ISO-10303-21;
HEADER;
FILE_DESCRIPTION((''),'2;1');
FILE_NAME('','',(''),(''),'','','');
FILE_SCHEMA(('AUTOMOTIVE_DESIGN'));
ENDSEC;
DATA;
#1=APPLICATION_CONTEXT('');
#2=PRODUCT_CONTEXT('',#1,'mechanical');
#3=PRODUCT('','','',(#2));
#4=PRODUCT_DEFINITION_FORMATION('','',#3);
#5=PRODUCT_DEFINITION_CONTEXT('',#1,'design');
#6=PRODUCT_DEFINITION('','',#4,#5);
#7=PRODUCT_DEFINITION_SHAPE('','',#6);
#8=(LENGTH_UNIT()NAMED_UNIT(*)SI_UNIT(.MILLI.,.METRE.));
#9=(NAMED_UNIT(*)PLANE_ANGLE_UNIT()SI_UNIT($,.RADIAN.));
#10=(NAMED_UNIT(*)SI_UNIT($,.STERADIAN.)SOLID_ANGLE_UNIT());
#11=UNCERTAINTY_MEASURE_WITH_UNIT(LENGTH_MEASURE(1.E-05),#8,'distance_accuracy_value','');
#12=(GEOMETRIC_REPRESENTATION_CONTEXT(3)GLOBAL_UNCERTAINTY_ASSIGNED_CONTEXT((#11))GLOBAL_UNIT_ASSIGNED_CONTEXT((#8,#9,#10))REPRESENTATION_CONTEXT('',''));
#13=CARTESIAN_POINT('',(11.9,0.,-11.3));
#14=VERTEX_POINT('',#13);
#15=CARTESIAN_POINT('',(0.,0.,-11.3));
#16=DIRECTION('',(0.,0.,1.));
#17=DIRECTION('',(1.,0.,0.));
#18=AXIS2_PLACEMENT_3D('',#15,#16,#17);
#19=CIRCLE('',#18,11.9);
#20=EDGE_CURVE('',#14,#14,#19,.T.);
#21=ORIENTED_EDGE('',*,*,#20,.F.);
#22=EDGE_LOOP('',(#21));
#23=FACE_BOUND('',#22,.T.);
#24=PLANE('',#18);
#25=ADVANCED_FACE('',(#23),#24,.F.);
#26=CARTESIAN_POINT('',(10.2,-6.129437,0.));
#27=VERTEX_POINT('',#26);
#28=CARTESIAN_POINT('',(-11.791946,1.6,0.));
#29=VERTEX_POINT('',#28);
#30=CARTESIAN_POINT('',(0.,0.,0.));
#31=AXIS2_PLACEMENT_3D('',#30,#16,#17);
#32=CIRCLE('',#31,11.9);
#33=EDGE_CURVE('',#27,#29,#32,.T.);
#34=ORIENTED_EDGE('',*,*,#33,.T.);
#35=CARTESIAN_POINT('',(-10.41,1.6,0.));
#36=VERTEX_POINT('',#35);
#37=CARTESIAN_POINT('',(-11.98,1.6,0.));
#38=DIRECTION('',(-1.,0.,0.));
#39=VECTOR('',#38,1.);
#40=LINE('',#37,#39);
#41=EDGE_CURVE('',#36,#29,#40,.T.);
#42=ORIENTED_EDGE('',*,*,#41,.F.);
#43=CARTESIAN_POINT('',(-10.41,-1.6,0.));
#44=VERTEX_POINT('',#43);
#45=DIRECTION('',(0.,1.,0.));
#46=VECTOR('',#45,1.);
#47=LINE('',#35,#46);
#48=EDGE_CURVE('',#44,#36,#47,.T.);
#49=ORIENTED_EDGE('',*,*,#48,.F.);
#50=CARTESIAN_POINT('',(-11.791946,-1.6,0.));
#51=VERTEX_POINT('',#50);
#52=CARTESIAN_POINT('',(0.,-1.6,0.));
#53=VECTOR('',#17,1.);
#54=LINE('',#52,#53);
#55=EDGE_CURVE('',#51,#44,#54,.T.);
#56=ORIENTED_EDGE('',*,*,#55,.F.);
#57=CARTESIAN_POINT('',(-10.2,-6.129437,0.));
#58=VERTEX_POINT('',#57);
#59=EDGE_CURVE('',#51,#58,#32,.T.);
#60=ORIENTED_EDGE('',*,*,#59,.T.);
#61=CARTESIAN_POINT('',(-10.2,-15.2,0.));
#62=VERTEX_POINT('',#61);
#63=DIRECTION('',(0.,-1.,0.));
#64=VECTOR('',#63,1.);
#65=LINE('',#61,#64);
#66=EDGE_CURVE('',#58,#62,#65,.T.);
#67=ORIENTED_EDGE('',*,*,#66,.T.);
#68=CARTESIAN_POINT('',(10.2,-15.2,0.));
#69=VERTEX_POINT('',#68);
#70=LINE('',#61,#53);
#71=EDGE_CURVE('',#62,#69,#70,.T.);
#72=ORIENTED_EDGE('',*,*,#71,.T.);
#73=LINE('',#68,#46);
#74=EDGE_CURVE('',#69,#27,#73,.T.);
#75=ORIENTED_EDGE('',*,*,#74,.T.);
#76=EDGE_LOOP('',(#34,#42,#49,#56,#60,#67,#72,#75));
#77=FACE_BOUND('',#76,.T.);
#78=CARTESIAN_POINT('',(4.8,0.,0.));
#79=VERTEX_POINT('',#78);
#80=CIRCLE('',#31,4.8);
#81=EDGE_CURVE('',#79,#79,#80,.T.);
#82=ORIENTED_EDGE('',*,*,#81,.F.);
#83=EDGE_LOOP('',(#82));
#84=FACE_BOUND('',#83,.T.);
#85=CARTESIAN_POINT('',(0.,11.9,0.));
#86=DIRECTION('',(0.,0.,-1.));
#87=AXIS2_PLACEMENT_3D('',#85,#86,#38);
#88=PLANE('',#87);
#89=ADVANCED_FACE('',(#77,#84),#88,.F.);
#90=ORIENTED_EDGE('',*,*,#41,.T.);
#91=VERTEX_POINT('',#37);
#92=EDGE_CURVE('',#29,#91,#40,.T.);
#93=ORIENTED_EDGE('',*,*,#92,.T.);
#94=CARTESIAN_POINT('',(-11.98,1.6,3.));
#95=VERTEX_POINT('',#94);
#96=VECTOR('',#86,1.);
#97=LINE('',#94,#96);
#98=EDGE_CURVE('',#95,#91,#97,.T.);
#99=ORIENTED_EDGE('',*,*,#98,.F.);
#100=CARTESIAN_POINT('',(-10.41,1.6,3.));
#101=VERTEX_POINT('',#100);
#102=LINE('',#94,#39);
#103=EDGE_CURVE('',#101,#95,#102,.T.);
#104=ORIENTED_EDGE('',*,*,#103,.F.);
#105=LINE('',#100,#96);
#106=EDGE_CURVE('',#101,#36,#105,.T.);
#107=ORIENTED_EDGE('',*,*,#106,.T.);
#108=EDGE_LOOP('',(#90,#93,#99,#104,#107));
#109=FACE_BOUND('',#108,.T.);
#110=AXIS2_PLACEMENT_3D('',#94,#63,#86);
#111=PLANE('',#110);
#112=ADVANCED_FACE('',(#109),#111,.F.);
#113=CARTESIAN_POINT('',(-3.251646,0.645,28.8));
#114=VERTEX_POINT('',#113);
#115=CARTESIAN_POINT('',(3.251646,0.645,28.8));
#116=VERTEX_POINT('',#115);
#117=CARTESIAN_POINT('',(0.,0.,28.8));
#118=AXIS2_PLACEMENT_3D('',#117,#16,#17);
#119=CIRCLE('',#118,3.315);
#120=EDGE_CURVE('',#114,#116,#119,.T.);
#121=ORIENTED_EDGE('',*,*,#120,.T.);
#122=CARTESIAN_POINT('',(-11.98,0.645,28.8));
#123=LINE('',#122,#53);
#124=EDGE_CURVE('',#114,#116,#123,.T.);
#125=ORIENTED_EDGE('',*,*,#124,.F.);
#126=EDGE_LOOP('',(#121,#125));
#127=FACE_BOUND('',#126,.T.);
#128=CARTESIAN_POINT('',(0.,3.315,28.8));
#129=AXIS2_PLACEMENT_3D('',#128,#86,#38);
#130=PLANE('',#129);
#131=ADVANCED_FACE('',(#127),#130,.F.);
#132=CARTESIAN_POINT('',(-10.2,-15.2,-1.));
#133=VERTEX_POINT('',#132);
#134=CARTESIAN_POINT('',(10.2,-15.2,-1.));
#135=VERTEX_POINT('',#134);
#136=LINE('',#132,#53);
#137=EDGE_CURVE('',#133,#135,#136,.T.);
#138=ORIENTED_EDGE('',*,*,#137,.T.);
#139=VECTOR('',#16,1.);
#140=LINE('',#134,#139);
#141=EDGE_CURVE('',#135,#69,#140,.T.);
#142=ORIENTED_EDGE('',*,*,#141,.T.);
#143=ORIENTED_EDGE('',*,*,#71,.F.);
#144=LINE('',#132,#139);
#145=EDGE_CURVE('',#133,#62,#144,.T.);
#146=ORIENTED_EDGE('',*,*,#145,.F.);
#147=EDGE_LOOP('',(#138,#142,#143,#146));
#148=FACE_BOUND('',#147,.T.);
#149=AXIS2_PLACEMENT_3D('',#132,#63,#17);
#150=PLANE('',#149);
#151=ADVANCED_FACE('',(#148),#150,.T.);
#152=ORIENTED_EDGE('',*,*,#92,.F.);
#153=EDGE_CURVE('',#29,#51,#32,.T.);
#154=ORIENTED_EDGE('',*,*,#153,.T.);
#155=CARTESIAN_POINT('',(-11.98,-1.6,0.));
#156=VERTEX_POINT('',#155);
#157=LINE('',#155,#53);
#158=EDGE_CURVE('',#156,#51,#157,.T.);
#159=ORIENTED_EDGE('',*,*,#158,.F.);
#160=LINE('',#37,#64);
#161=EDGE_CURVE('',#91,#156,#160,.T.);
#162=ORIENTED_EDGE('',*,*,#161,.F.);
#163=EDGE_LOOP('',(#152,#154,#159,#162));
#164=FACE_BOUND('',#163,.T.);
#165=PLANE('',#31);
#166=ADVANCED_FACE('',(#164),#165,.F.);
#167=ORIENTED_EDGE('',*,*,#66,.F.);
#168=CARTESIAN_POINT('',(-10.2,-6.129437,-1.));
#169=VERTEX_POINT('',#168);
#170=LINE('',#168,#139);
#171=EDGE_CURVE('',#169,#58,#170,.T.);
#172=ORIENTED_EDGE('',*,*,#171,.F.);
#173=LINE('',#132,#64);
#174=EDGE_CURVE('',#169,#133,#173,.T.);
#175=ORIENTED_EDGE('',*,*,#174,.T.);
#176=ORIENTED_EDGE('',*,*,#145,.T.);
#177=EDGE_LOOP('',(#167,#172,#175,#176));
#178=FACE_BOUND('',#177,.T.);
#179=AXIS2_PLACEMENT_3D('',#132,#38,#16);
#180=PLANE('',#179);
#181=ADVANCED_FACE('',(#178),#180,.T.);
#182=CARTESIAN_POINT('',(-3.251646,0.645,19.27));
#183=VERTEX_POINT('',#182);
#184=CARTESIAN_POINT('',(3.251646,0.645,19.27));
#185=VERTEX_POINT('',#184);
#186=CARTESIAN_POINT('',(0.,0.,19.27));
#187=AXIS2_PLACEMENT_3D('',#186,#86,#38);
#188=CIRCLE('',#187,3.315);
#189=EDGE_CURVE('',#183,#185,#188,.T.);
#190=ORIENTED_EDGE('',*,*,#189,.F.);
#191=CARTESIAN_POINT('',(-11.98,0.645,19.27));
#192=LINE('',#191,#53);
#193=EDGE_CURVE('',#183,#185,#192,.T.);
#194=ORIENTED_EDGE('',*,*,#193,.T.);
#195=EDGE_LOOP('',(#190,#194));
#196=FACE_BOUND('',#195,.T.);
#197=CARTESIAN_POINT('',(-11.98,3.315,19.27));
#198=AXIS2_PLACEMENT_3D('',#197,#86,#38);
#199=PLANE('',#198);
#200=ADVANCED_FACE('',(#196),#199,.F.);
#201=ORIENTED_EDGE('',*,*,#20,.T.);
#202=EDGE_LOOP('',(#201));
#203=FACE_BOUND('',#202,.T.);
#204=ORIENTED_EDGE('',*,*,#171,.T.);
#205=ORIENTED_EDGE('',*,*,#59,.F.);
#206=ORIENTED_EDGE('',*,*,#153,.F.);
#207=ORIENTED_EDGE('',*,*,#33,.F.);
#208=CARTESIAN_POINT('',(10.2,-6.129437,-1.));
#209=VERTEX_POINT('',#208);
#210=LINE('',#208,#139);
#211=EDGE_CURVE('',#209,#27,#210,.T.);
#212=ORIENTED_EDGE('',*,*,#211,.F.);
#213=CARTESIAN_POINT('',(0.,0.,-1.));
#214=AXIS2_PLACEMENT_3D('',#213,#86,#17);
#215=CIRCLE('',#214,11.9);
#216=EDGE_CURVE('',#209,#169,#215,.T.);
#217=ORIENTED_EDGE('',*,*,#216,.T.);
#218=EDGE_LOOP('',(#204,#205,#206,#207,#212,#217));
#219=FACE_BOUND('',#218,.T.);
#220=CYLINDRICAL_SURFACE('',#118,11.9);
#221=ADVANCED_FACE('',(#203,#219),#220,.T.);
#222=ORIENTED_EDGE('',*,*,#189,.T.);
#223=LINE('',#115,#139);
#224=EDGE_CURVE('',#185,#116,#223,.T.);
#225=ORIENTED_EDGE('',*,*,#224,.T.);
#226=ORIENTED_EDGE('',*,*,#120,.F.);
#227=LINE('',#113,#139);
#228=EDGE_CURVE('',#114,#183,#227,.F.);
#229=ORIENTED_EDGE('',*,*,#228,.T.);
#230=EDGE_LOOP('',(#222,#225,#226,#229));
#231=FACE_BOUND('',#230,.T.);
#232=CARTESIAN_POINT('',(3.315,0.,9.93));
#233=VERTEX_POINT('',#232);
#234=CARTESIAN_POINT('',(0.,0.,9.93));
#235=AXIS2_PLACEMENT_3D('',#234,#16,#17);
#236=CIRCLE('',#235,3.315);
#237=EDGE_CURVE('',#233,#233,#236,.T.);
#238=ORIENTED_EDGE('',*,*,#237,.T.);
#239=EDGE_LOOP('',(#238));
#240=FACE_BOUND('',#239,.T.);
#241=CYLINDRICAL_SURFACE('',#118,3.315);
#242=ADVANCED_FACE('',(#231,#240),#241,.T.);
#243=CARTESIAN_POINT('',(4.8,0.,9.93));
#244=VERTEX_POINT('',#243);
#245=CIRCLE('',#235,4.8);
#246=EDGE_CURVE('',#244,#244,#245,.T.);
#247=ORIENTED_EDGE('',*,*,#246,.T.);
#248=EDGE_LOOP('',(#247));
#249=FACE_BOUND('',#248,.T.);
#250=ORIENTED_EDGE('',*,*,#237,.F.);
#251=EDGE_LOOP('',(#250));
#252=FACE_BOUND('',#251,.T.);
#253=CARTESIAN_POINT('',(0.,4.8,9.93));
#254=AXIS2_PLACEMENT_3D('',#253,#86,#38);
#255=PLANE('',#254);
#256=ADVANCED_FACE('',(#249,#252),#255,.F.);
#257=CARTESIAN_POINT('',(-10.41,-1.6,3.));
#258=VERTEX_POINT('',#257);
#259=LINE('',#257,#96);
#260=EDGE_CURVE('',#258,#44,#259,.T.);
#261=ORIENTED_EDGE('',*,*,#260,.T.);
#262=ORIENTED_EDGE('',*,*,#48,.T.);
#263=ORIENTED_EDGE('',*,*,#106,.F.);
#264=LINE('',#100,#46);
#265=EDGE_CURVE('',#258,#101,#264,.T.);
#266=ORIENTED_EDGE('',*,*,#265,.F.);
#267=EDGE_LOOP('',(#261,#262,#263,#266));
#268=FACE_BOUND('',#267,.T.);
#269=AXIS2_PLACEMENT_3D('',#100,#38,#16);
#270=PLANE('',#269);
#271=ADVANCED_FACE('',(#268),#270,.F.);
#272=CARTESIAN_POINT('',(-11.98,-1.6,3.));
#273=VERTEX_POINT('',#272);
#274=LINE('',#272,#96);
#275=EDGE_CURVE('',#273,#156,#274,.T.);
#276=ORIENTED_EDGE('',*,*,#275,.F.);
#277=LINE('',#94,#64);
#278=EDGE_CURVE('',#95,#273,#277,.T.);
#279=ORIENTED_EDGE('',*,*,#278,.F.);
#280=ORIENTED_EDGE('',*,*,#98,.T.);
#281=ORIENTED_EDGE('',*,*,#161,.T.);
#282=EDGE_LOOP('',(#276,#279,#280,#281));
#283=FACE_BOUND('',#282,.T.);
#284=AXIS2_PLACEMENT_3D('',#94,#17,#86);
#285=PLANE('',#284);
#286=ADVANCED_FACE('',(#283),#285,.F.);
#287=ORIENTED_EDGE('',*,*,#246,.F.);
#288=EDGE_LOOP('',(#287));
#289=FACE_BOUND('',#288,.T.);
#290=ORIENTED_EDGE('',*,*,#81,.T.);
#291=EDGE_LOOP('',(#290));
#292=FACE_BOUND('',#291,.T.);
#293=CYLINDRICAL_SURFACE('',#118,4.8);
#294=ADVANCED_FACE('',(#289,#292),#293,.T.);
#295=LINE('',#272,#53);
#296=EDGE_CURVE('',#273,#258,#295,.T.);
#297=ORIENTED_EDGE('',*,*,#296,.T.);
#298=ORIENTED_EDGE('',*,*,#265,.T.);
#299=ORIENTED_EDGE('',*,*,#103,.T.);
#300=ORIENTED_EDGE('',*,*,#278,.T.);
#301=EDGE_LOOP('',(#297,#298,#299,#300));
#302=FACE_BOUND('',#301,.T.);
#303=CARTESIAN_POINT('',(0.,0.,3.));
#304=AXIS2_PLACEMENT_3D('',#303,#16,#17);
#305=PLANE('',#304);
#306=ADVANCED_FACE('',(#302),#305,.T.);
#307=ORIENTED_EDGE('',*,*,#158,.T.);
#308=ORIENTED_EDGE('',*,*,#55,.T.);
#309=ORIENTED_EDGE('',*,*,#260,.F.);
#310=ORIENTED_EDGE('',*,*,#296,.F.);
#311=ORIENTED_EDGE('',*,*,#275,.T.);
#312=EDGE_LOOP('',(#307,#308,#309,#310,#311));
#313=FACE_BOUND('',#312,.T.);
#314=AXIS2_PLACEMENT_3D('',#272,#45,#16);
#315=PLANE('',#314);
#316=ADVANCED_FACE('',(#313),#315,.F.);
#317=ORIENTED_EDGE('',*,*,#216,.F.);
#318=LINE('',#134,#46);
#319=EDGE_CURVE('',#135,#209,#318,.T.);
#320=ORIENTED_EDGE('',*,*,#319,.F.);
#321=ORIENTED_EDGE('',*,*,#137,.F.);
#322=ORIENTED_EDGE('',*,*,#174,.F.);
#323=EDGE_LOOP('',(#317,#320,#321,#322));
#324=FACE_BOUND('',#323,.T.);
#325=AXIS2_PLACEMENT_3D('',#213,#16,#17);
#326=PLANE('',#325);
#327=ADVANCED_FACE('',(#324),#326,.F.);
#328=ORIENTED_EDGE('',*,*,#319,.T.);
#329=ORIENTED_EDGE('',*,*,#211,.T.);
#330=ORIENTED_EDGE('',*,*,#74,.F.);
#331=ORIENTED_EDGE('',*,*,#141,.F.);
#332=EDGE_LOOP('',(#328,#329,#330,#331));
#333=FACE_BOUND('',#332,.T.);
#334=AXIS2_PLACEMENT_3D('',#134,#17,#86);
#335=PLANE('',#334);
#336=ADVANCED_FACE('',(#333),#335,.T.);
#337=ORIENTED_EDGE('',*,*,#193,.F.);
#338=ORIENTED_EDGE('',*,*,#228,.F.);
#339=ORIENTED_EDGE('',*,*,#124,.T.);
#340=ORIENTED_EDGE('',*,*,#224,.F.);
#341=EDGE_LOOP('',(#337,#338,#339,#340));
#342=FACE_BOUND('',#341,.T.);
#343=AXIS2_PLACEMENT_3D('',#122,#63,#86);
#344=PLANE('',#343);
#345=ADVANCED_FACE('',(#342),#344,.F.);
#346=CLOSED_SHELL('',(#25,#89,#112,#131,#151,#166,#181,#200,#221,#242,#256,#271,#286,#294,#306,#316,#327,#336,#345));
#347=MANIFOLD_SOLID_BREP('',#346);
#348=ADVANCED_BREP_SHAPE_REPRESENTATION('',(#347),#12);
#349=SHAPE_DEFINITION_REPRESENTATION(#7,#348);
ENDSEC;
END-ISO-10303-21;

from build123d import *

# Parameters (mm, degrees)
CROQUIS2_W                 = 1.57
CROQUIS2_H                 = 3.2
SALIENTE_EXTRUIR1_DEPTH    = 3
SALIENTE_EXTRUIR2_DEPTH    = 1
CROQUIS4_W                 = 9.53
CROQUIS4_H                 = 2.67
CORTAR_EXTRUIR1_DEPTH      = 12.9
CORTAR_EXTRUIR1_DEPTH_BACK = 12.98


with BuildPart() as part:
    # Croquis1 → Revolución2 (revolve)
    with BuildSketch(Plane(origin=(0, 0, 0), x_dir=(0, 0, -1), z_dir=(1, 0, 0))):
        Polygon((0, 0), (11.3, 0), (11.3, 11.9), (0, 11.9), (0, 4.8), (-9.93, 4.8), (-9.93, 3.315), (-28.8, 3.315), (-28.8, 0), align=None)
    revolve(axis=Axis((0, 0, 28.8), (0, 0, -1)))

    # Croquis2 → Saliente-Extruir1 (add)
    with BuildSketch(Plane.XY):
        with Locations((-11.195, 0)):
            Rectangle(CROQUIS2_W, CROQUIS2_H)
    extrude(amount=SALIENTE_EXTRUIR1_DEPTH)

    # Croquis3 → Saliente-Extruir2 (add)
    with BuildSketch(Plane.XY):
        with BuildLine():
            Line((-10.2, -15.2), (10.2, -15.2))
            Line((10.2, -15.2), (10.2, -6.129437168))
            ThreePointArc((10.2, -6.129437168), (0, -11.9), (-10.2, -6.129437168))
            Line((-10.2, -6.129437168), (-10.2, -15.2))
        make_face()
    extrude(amount=-SALIENTE_EXTRUIR2_DEPTH)

    # Croquis4 → Cortar-Extruir1 (cut, two sides)
    with BuildSketch(Plane(origin=(0, 0, 0), x_dir=(0, 0, -1), z_dir=(1, 0, 0))) as cortar_extruir1_sk:
        with Locations((-24.035, 1.98)):
            Rectangle(CROQUIS4_W, CROQUIS4_H)
    extrude(amount=CORTAR_EXTRUIR1_DEPTH, mode=Mode.SUBTRACT)
    extrude(cortar_extruir1_sk.sketch, amount=-CORTAR_EXTRUIR1_DEPTH_BACK, mode=Mode.SUBTRACT)


solid = part.part
